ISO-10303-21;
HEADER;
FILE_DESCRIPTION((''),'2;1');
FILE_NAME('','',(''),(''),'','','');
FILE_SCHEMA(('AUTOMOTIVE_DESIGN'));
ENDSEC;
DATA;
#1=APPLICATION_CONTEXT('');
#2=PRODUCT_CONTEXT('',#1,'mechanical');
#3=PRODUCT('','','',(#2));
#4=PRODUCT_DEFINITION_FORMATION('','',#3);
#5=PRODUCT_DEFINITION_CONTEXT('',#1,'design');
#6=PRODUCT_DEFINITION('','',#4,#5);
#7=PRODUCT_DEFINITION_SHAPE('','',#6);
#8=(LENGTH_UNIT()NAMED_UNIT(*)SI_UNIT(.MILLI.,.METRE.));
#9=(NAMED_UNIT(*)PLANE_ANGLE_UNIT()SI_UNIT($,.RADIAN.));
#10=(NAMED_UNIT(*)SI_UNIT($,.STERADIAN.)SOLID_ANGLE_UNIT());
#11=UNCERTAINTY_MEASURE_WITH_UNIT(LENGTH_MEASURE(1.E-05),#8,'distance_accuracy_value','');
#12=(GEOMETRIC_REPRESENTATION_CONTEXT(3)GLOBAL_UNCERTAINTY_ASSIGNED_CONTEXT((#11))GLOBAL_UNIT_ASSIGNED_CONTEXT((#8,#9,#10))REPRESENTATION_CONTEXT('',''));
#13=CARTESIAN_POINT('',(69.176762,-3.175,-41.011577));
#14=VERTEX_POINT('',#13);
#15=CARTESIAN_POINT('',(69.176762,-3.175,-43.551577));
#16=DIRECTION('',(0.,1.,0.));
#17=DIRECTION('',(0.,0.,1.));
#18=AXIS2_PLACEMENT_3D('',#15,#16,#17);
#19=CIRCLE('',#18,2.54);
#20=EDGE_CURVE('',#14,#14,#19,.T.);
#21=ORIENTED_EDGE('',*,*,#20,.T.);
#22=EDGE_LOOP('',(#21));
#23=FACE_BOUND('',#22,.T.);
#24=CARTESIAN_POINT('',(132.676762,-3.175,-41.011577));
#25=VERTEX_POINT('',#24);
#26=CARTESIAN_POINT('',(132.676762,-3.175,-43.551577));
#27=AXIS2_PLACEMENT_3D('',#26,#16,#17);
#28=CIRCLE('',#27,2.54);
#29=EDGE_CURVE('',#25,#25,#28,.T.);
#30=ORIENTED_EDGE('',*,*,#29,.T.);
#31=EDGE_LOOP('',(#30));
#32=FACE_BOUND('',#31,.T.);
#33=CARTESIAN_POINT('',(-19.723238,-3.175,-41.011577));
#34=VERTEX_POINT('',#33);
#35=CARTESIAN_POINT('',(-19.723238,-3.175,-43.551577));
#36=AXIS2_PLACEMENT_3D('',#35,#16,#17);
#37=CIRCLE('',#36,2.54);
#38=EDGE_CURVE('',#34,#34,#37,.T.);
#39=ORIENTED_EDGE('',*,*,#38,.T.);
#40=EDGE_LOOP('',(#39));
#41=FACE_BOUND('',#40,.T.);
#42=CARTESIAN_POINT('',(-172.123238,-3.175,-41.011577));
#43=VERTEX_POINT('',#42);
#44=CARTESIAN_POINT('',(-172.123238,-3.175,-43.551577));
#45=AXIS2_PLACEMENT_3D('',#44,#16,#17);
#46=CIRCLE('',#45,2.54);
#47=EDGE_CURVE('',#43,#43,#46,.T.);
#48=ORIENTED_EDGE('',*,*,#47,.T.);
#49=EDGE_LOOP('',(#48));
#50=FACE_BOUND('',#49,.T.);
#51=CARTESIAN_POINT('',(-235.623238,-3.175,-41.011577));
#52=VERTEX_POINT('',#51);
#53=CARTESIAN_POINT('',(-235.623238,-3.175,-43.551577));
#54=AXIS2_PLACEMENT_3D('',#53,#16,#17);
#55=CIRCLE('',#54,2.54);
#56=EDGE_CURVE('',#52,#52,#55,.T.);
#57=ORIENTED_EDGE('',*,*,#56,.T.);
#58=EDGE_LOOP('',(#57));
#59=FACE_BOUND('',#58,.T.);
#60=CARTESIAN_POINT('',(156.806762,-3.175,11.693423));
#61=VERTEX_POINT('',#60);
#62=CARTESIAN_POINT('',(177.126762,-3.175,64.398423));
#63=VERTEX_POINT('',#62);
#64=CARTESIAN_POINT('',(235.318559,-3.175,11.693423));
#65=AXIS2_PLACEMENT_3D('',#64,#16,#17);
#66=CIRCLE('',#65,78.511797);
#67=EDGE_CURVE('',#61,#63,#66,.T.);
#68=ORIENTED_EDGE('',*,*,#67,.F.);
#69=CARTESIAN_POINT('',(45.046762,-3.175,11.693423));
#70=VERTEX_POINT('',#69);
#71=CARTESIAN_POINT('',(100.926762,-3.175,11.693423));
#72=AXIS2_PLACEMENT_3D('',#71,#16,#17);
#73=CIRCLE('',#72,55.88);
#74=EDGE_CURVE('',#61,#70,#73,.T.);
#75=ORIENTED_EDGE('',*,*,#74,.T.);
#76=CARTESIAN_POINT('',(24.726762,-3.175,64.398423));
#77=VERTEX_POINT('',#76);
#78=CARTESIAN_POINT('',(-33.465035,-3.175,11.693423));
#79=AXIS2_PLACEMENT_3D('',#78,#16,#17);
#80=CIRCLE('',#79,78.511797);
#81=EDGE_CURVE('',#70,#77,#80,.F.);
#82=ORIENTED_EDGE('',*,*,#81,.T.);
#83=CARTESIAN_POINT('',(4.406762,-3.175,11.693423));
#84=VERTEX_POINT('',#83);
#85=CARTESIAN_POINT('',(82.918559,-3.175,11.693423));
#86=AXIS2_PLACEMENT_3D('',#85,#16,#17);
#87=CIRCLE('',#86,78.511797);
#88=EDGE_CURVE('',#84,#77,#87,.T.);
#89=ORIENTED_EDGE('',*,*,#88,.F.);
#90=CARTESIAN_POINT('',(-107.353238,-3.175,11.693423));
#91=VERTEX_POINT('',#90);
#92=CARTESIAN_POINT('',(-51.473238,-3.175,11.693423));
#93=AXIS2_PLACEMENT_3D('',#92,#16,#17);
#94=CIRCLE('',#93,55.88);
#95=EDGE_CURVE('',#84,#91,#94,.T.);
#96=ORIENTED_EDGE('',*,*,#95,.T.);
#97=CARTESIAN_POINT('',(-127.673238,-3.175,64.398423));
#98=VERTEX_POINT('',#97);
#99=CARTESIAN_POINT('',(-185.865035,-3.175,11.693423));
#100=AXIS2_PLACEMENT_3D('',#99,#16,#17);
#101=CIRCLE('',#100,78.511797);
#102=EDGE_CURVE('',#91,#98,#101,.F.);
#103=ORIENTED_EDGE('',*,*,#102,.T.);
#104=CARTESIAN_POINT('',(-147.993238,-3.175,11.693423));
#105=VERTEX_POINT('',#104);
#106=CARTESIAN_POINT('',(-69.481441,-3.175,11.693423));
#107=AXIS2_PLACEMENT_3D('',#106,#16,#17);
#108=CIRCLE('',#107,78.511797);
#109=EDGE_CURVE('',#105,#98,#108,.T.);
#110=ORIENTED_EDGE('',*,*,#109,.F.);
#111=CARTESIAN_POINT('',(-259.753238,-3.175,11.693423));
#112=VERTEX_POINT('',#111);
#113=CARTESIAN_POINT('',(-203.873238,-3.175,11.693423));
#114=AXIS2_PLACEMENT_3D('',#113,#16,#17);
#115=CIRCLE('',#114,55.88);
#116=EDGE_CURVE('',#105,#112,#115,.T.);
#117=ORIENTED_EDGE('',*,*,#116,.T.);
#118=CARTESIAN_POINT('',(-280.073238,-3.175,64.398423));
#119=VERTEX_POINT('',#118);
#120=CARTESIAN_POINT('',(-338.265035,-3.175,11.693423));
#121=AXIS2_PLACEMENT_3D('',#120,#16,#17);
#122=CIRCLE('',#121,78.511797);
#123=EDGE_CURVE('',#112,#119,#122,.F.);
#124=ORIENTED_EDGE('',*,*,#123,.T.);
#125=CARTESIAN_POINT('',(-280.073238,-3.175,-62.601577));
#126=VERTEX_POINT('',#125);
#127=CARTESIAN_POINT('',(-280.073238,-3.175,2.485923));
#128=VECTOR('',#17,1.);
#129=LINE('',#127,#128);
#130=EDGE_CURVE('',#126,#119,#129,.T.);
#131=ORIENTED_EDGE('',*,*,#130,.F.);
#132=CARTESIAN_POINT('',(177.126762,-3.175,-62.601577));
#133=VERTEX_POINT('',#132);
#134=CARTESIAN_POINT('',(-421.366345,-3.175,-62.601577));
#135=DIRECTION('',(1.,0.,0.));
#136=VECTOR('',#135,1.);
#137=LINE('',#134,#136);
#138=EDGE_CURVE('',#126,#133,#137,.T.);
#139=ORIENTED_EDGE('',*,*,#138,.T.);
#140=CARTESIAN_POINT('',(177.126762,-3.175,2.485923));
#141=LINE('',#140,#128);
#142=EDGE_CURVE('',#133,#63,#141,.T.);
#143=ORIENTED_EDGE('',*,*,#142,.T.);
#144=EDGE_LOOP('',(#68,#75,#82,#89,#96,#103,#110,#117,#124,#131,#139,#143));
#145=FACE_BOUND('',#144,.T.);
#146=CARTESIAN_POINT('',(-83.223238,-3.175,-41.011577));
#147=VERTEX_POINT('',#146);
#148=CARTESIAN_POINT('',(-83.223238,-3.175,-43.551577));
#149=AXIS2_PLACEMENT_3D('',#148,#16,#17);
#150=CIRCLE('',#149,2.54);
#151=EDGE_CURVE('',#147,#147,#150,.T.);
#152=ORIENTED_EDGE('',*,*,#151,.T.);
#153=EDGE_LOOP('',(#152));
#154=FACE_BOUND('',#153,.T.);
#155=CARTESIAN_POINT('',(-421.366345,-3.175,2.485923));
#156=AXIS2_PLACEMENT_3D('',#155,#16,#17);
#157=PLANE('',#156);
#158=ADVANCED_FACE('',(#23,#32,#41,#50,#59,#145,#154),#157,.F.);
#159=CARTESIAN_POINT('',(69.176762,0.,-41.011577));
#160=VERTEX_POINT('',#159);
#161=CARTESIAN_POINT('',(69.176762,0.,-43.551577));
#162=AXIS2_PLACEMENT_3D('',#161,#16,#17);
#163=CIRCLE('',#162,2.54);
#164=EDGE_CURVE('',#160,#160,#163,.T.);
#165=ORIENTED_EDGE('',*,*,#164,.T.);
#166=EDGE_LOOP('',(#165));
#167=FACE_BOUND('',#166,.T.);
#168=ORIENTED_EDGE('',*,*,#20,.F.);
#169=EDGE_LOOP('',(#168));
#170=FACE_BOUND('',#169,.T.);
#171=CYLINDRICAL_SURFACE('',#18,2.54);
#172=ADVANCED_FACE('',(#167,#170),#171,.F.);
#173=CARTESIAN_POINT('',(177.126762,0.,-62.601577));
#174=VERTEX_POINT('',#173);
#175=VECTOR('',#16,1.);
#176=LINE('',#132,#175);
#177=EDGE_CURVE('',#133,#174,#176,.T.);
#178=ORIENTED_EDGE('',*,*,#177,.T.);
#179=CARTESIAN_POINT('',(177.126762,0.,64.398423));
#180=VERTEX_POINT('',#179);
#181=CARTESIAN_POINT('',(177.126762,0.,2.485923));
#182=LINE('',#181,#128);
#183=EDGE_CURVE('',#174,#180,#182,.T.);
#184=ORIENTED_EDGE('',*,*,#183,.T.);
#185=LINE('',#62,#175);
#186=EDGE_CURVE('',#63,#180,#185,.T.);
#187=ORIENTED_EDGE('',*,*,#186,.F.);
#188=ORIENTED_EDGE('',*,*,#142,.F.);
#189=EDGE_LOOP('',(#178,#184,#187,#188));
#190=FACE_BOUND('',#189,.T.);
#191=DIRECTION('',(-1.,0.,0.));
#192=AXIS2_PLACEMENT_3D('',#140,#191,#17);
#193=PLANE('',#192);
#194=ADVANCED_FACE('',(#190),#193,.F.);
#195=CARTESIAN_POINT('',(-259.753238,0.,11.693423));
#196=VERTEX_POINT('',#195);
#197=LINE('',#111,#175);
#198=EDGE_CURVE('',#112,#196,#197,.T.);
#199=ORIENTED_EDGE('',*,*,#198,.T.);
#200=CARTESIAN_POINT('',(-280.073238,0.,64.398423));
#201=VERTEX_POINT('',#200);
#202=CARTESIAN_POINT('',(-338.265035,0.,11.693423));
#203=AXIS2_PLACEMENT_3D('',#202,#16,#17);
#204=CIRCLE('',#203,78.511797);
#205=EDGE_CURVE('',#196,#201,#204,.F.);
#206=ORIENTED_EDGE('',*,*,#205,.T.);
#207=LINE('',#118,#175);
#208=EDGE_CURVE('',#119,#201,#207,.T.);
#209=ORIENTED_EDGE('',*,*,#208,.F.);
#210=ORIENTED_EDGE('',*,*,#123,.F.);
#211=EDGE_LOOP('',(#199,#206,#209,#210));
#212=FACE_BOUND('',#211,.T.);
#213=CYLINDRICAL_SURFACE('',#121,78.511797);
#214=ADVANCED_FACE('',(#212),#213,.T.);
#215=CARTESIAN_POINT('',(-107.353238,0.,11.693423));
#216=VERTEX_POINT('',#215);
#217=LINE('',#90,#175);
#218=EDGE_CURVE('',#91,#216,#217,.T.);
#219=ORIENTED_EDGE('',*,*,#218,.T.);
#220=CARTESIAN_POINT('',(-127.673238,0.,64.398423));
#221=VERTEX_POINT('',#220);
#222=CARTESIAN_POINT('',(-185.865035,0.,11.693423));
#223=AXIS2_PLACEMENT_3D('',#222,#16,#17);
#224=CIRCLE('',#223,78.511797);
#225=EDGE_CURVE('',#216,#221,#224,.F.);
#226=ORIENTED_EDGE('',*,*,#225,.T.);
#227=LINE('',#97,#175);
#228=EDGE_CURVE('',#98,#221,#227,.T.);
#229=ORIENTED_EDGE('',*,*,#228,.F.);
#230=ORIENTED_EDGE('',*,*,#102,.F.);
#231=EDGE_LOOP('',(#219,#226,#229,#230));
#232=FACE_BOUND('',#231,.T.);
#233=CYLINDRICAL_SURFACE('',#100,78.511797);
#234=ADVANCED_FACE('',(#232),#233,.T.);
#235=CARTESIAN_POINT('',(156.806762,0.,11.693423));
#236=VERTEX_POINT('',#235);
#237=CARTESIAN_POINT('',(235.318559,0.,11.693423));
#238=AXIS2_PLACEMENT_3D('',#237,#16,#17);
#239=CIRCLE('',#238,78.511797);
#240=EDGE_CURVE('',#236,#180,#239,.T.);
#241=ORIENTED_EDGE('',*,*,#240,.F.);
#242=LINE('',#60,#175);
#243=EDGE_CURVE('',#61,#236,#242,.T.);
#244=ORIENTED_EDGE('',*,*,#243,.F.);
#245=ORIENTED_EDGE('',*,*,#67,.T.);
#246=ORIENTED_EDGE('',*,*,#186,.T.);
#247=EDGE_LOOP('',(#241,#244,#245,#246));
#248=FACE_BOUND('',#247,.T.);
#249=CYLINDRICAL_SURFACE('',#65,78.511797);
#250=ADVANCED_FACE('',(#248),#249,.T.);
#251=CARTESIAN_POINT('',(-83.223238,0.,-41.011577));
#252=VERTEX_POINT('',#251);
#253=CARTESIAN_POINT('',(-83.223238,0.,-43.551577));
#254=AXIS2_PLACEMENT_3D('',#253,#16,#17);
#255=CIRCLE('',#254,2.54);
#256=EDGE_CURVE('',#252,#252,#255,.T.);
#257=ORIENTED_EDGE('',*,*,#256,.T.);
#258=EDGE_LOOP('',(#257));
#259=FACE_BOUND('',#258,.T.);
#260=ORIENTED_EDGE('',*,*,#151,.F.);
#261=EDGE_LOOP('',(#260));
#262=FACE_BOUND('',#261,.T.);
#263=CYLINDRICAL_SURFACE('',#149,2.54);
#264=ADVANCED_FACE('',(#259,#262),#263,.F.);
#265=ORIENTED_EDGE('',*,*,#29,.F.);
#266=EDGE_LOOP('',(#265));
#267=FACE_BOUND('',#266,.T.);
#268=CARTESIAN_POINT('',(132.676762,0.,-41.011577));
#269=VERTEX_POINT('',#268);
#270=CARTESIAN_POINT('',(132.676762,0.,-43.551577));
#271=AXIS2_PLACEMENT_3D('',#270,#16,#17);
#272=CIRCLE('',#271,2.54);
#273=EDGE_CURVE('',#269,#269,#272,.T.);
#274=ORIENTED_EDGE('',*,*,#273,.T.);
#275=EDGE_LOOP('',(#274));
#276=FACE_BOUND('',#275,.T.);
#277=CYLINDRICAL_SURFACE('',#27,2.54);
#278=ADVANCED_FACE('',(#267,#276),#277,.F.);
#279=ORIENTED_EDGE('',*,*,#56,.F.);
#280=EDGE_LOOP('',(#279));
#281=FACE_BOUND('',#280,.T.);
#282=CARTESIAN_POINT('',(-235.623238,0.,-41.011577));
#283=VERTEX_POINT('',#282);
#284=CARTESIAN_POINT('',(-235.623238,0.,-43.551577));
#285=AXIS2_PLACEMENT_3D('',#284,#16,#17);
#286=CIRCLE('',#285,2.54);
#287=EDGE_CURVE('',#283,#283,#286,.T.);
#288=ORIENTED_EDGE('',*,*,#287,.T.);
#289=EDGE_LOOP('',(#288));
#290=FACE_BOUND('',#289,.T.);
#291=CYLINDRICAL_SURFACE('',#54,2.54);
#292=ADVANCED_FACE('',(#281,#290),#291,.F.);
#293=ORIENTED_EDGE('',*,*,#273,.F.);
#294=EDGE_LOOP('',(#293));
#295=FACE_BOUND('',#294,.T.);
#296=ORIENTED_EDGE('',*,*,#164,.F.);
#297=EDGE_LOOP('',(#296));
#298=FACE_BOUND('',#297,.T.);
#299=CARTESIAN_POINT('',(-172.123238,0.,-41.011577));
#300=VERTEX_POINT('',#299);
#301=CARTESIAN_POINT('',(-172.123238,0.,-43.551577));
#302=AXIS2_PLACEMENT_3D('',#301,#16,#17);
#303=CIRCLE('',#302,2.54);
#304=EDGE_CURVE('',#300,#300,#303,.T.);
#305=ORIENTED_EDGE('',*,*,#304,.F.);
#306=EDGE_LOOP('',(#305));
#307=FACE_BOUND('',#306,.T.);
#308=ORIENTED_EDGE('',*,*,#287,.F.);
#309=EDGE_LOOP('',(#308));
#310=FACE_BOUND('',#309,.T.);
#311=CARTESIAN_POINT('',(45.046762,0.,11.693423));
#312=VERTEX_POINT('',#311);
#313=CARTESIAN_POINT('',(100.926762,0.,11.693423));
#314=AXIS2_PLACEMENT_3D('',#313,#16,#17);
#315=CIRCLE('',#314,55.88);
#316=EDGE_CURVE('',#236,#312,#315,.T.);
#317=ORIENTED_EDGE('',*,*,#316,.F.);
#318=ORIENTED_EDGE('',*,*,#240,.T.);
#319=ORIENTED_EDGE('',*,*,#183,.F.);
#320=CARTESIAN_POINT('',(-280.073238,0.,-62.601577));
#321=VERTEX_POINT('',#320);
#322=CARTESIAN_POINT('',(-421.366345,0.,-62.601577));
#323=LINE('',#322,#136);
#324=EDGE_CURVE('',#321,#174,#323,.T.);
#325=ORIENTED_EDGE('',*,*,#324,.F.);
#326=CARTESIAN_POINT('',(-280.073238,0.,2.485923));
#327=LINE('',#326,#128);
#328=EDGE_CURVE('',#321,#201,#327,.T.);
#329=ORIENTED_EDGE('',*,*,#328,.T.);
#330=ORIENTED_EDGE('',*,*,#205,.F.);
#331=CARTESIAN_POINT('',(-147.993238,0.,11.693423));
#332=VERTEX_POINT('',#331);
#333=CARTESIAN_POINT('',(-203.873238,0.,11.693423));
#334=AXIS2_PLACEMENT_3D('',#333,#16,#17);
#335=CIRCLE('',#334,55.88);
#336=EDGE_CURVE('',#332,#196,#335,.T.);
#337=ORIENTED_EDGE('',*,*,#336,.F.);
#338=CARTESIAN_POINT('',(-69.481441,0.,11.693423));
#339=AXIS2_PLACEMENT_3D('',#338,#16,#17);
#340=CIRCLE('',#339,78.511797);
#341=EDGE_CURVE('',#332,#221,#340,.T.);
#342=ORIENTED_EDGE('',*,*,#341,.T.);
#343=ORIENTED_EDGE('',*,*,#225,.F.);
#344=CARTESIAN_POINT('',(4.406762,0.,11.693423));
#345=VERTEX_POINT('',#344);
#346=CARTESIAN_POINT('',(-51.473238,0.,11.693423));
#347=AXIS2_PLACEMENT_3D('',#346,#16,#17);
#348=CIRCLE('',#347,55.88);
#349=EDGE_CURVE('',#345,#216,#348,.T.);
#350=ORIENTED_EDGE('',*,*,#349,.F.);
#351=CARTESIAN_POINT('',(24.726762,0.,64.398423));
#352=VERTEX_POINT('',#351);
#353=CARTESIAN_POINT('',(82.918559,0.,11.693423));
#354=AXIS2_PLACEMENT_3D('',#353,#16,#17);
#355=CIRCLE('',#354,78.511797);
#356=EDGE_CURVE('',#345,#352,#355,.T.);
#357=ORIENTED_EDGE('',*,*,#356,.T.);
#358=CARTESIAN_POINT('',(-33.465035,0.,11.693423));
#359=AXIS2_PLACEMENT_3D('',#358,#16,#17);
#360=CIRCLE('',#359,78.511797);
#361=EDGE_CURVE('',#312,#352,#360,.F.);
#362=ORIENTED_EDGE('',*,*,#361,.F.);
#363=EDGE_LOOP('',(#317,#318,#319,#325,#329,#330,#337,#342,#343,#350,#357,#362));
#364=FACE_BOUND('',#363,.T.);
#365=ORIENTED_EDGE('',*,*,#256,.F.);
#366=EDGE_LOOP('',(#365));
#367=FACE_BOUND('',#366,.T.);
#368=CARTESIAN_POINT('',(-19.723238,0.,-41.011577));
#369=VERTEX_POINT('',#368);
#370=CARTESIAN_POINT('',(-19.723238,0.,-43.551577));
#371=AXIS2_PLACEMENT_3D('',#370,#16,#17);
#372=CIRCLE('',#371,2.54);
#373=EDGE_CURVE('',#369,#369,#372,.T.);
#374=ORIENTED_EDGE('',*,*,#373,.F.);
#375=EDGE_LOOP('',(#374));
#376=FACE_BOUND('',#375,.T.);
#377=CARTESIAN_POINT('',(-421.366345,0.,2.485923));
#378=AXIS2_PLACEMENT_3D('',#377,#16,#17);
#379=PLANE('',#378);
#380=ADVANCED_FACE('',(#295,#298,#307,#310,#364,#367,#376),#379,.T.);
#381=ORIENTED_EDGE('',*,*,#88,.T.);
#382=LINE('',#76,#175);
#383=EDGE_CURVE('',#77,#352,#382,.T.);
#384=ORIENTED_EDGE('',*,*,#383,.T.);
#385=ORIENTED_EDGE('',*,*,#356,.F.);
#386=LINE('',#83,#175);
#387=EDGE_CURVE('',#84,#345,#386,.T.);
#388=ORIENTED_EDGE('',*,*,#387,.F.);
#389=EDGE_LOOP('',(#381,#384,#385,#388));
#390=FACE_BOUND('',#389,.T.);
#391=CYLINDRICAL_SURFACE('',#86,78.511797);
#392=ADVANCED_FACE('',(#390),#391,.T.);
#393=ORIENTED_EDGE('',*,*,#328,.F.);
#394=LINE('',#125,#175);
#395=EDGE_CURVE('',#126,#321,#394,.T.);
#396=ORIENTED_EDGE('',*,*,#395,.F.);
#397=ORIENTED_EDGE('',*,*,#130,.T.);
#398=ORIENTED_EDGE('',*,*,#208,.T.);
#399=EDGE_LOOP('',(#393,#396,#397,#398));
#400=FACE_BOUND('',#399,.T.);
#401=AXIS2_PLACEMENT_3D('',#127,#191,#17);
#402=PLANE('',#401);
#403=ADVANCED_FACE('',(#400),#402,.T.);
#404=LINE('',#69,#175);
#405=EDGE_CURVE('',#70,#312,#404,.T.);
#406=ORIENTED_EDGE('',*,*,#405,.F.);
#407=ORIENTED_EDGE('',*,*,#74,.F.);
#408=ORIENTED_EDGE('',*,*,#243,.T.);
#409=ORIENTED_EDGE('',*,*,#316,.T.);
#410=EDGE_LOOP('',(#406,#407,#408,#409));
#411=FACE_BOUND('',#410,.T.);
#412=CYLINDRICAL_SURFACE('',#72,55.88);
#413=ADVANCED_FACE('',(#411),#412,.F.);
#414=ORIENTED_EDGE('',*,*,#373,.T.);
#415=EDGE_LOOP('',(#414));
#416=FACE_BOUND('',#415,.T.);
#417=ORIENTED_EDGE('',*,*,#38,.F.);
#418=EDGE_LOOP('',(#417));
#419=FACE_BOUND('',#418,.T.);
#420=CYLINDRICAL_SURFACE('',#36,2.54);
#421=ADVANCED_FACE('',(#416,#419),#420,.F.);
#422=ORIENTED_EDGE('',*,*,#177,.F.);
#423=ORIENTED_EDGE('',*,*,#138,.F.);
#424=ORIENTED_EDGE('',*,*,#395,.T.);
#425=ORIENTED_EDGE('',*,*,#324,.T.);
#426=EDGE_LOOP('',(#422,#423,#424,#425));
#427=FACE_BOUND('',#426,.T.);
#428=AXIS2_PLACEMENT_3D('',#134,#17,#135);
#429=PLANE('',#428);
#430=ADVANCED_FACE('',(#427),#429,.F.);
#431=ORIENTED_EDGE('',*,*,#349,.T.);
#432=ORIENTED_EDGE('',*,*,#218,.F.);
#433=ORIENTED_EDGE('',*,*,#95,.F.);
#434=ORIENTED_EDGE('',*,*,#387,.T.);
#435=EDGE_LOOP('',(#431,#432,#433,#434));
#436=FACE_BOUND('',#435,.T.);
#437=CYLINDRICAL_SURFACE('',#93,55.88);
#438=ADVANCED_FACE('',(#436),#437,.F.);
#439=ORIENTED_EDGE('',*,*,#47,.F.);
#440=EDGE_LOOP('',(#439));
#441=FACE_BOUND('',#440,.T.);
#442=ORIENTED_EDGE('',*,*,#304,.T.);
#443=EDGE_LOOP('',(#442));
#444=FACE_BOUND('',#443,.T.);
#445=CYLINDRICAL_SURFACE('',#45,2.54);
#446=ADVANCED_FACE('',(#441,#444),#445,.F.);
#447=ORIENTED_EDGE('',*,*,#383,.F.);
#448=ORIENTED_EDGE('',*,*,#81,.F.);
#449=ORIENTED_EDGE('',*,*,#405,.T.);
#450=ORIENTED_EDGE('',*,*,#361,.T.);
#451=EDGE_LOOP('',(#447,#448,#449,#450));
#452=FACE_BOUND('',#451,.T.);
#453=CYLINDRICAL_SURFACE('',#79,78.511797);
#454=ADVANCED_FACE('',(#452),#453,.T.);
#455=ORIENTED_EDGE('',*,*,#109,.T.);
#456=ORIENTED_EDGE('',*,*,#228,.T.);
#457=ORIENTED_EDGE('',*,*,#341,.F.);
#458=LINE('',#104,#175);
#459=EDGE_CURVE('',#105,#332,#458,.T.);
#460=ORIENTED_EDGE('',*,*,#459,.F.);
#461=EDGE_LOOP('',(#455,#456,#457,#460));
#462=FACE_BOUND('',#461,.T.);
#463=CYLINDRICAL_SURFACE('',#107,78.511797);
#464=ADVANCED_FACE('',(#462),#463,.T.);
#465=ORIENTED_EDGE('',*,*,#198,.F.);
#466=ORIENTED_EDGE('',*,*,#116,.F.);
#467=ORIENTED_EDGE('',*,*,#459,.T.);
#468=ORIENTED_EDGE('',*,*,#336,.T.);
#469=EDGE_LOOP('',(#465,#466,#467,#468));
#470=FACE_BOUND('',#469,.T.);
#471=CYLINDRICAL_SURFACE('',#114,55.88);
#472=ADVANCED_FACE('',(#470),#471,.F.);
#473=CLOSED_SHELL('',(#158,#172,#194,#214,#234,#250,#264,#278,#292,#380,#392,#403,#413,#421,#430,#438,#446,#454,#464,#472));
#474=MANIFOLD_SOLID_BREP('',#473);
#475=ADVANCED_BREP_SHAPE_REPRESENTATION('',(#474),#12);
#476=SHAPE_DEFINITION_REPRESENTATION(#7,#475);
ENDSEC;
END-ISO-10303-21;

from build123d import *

# Parameters (mm, degrees)
SKETCH1_R           = 2.54
BOSS_EXTRUDE1_DEPTH = 3.175


with BuildPart() as part:
    # Sketch1 → Boss-Extrude1 (new body)
    with BuildSketch(Plane(origin=(0, 0, 0), x_dir=(1, 0, 0), z_dir=(0, 1, 0))):
        with BuildLine():
            ThreePointArc((-147.993238202, -11.693423436), (-142.737310664, -39.936650168), (-127.673238202, -64.398423436))
            ThreePointArc((-127.673238202, -64.398423436), (-112.609165741, -39.936650168), (-107.353238202, -11.693423436))
            ThreePointArc((-107.353238202, -11.693423436), (-51.473238202, 44.186576564), (4.406761798, -11.693423436))
            ThreePointArc((4.406761798, -11.693423436), (9.662689336, -39.936650168), (24.726761798, -64.398423436))
            ThreePointArc((24.726761798, -64.398423436), (39.790834259, -39.936650168), (45.046761798, -11.693423436))
            ThreePointArc((45.046761798, -11.693423436), (100.926761798, 44.186576564), (156.806761798, -11.693423436))
            ThreePointArc((156.806761798, -11.693423436), (162.062689336, -39.936650168), (177.126761798, -64.398423436))
            Line((177.126761798, -64.398423436), (177.126761798, 62.601576564))
            Line((177.126761798, 62.601576564), (-280.073238202, 62.601576564))
            Line((-280.073238202, 62.601576564), (-280.073238202, -64.398423436))
            ThreePointArc((-280.073238202, -64.398423436), (-265.009165741, -39.936650168), (-259.753238202, -11.693423436))
            ThreePointArc((-259.753238202, -11.693423436), (-203.873238202, 44.186576564), (-147.993238202, -11.693423436))
        make_face()
        with Locations((-235.623238202, 43.551576564)):
            Circle(SKETCH1_R, mode=Mode.SUBTRACT)
        with Locations((-172.123238202, 43.551576564)):
            Circle(SKETCH1_R, mode=Mode.SUBTRACT)
        with Locations((-19.723238202, 43.551576564)):
            Circle(SKETCH1_R, mode=Mode.SUBTRACT)
        with Locations((-83.223238202, 43.551576564)):
            Circle(SKETCH1_R, mode=Mode.SUBTRACT)
        with Locations((132.676761798, 43.551576564)):
            Circle(SKETCH1_R, mode=Mode.SUBTRACT)
        with Locations((69.176761798, 43.551576564)):
            Circle(SKETCH1_R, mode=Mode.SUBTRACT)
    extrude(amount=-BOSS_EXTRUDE1_DEPTH)


solid = part.part
